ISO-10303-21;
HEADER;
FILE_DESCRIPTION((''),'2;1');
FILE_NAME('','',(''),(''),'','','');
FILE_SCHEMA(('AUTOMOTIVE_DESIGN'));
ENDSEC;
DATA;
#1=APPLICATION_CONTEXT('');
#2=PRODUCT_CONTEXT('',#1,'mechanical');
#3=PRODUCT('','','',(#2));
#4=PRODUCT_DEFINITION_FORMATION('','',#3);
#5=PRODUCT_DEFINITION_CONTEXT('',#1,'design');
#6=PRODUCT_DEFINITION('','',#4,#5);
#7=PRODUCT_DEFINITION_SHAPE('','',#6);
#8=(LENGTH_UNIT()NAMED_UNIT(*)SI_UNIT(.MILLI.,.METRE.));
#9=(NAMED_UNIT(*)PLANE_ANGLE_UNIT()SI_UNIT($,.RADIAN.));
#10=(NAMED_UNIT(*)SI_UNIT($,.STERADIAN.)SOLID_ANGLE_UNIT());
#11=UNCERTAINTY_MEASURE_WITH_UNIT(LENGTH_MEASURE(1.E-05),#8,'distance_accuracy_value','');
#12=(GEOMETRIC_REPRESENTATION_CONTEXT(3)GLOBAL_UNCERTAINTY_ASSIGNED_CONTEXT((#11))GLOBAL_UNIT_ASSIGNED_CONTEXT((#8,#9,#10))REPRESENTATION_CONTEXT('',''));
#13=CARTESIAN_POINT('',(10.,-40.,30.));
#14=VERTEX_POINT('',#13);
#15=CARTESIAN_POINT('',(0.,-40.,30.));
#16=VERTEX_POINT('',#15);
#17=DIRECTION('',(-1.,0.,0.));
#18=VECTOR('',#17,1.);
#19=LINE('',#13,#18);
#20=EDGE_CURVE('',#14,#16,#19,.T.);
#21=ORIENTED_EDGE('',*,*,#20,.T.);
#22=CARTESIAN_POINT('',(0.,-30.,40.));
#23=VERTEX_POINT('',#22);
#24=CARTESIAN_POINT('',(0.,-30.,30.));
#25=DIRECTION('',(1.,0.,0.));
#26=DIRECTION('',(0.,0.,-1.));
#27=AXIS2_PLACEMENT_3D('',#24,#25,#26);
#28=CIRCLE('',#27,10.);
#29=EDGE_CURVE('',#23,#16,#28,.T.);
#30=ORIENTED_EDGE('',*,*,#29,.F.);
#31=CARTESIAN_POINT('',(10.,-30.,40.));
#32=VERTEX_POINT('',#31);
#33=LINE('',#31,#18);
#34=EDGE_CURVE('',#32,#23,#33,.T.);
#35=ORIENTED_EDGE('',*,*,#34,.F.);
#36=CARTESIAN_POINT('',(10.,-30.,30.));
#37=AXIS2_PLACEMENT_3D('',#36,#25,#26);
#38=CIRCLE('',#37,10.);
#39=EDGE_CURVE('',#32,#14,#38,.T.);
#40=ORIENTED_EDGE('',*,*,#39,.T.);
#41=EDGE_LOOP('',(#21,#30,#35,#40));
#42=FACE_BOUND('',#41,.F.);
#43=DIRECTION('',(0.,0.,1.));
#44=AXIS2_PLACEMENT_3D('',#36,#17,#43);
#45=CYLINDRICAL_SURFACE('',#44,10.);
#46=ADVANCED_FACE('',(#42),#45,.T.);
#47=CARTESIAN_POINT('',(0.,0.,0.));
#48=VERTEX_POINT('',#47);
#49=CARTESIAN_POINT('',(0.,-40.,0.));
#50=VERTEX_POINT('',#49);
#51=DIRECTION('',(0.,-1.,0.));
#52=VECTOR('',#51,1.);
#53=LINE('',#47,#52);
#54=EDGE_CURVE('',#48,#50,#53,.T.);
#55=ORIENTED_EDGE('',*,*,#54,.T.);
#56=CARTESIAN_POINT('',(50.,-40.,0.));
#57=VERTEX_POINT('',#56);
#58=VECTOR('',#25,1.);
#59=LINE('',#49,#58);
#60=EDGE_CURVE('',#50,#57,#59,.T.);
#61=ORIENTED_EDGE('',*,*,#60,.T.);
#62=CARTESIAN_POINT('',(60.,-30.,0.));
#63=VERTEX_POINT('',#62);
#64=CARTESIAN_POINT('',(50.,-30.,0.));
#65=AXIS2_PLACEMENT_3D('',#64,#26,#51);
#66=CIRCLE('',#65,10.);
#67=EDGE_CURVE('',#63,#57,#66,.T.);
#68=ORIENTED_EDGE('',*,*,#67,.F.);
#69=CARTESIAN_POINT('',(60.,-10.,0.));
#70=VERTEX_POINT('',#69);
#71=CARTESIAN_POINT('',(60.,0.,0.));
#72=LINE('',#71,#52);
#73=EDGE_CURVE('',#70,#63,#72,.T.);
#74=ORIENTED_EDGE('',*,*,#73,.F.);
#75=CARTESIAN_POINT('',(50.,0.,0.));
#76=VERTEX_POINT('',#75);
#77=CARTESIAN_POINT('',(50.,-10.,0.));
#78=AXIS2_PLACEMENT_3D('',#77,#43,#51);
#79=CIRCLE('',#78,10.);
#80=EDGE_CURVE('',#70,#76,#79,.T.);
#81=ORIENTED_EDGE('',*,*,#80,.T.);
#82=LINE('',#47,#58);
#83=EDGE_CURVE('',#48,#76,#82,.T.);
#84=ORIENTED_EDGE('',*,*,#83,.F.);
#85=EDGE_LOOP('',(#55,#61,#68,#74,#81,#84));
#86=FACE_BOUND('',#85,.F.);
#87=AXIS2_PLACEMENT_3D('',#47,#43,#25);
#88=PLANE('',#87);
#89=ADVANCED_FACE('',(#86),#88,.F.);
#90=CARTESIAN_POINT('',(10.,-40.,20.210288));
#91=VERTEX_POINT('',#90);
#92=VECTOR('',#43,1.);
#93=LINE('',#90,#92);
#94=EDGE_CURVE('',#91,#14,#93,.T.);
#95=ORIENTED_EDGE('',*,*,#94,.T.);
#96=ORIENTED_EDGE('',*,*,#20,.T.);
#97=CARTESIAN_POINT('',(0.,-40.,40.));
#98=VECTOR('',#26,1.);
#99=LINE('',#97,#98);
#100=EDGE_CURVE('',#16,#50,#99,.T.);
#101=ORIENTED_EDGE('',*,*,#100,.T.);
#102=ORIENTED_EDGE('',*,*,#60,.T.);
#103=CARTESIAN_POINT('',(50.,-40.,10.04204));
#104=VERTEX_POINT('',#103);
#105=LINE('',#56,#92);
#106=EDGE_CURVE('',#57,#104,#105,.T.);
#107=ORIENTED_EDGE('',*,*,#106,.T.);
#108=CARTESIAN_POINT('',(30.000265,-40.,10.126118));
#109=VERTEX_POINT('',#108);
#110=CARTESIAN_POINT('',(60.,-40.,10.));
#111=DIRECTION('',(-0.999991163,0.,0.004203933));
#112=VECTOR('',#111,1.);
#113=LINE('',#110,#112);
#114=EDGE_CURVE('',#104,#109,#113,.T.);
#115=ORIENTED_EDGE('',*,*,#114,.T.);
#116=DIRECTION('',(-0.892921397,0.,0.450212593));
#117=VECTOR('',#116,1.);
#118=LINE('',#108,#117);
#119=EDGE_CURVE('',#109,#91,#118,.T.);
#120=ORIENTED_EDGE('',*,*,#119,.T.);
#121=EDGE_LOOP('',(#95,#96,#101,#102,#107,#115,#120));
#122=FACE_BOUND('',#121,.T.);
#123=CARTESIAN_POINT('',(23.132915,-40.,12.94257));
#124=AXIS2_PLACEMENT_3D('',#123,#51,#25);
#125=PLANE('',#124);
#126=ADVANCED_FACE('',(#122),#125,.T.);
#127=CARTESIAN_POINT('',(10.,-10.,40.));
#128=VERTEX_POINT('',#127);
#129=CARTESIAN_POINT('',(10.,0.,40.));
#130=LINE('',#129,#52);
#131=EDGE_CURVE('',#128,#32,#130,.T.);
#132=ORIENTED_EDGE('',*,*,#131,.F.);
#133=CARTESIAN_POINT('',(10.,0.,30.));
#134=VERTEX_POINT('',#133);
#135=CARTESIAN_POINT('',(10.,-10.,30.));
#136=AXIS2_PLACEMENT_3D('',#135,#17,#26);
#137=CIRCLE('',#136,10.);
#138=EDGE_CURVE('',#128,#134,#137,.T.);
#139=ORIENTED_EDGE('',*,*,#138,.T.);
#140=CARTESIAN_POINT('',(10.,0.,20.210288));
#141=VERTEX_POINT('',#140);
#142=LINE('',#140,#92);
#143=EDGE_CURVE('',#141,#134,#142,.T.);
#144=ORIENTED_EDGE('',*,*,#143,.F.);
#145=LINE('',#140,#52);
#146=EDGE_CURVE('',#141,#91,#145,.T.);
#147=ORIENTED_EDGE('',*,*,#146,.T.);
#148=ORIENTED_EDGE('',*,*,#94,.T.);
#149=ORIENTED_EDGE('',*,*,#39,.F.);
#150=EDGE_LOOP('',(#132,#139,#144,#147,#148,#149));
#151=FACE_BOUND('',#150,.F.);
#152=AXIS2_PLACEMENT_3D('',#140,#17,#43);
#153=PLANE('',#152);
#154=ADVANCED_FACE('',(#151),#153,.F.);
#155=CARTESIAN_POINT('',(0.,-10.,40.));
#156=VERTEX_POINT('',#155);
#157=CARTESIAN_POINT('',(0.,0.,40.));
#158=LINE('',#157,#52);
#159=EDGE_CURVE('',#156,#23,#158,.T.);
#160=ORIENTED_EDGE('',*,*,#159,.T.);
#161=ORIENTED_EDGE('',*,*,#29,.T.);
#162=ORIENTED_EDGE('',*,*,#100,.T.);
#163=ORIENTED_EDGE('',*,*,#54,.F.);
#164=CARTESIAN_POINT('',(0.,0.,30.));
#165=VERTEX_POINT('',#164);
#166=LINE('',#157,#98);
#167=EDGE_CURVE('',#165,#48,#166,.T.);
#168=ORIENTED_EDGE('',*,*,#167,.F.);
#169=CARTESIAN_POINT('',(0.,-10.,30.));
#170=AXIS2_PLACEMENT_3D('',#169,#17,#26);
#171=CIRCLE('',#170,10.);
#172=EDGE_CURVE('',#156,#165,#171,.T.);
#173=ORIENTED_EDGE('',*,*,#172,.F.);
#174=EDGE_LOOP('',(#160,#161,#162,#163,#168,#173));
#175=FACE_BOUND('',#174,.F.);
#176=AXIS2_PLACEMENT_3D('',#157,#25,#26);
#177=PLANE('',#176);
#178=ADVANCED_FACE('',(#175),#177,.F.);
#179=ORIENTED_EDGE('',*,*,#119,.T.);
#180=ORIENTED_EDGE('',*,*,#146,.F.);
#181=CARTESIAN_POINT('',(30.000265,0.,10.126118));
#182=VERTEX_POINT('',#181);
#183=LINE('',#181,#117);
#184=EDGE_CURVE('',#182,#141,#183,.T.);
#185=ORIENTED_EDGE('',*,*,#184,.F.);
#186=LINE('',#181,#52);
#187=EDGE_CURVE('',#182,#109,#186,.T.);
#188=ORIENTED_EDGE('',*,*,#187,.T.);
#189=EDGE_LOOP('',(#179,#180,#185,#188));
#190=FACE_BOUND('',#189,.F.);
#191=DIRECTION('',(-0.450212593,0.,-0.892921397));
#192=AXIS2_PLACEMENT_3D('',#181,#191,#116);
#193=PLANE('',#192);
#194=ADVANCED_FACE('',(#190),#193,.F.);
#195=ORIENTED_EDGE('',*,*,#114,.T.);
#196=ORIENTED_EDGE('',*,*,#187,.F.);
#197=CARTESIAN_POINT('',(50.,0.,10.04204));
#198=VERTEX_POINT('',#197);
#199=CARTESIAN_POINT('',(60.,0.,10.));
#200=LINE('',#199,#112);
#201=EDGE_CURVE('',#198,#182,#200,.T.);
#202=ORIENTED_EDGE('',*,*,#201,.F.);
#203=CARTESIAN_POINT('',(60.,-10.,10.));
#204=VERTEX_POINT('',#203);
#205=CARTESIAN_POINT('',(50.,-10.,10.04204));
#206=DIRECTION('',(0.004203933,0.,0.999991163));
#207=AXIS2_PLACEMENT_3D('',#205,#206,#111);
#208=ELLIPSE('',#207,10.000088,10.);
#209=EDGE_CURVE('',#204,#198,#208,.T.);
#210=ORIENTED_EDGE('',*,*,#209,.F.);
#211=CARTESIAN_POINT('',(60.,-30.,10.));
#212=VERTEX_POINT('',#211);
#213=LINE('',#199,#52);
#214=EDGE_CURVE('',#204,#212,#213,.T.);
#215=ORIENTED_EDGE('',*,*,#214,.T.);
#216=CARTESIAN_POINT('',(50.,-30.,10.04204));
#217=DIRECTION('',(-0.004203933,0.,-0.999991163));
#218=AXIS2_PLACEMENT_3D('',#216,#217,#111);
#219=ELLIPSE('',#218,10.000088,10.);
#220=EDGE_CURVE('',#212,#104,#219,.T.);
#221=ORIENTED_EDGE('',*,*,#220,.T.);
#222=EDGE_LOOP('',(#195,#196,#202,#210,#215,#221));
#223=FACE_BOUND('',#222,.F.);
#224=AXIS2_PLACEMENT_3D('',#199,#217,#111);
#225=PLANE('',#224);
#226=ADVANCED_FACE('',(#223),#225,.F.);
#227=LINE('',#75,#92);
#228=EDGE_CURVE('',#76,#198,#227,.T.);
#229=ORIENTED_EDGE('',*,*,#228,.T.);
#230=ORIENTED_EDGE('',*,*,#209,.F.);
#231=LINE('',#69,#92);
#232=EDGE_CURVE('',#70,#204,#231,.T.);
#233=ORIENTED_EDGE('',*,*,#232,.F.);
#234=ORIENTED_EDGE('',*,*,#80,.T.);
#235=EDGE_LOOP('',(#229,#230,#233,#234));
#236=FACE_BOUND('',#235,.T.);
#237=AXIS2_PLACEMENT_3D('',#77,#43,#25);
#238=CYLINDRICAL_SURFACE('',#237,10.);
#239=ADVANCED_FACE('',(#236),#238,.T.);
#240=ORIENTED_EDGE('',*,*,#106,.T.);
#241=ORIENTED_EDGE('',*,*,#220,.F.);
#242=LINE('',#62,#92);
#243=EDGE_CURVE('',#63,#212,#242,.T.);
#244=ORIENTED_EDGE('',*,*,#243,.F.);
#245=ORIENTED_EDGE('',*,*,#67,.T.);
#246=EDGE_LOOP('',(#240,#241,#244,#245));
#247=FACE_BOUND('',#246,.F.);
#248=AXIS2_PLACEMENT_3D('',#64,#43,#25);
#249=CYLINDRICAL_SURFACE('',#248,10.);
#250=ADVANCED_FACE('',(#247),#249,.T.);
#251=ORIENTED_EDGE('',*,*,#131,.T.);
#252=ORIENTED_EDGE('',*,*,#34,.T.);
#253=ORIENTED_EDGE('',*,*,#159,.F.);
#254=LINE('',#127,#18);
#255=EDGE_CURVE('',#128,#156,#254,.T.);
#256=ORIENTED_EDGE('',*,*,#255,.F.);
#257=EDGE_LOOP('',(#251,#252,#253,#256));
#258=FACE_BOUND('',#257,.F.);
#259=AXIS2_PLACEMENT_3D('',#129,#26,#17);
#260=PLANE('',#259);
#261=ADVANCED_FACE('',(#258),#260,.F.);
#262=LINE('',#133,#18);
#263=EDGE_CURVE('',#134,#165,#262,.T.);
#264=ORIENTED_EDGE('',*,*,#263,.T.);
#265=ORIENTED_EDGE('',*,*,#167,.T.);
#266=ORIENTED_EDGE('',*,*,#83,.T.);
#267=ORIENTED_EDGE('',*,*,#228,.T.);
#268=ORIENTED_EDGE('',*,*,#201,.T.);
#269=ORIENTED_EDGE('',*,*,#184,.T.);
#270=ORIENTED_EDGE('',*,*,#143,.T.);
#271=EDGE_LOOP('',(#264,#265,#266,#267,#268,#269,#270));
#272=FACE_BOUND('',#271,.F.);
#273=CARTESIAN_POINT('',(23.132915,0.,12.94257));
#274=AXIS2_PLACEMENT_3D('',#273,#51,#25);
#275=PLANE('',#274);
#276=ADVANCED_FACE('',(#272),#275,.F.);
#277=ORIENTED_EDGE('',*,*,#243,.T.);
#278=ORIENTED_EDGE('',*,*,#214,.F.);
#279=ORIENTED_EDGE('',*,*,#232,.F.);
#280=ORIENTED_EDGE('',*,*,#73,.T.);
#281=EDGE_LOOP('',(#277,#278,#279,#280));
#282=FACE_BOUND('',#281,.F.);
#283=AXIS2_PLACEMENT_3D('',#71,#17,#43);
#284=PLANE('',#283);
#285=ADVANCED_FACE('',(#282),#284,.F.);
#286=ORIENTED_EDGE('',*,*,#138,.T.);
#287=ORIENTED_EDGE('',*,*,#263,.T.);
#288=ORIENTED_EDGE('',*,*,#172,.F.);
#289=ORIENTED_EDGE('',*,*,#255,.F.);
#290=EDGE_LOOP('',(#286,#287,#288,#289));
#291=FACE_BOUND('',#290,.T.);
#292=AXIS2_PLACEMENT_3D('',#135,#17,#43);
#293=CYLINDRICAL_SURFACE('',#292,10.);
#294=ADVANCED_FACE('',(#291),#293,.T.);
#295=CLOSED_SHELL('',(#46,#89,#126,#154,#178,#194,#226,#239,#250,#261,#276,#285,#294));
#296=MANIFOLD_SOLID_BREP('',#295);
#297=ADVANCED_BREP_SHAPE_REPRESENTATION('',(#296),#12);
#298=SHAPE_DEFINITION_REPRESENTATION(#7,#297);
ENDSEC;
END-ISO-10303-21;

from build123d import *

# Parameters (mm, degrees)
F1_DEPTH = 40
F2_R     = 10


with BuildPart() as f1:
    # F0 (on Front) → F1 (new body)
    with BuildSketch(Plane.XZ):
        Polygon((0, 40), (0, 0), (60, 0), (60, 10), (30.000265, 10.126118), (10, 20.210288), (10, 40), align=None)
    extrude(amount=F1_DEPTH)

    # F2
    f2_edges = [f1.edges().sort_by_distance(p)[0] for p in [
        (5, 0, 40),
        (5, -40, 40),
        (60, -40, 5),
        (60, 0, 5),
    ]]
    fillet(f2_edges, radius=F2_R)


solid = f1.part
